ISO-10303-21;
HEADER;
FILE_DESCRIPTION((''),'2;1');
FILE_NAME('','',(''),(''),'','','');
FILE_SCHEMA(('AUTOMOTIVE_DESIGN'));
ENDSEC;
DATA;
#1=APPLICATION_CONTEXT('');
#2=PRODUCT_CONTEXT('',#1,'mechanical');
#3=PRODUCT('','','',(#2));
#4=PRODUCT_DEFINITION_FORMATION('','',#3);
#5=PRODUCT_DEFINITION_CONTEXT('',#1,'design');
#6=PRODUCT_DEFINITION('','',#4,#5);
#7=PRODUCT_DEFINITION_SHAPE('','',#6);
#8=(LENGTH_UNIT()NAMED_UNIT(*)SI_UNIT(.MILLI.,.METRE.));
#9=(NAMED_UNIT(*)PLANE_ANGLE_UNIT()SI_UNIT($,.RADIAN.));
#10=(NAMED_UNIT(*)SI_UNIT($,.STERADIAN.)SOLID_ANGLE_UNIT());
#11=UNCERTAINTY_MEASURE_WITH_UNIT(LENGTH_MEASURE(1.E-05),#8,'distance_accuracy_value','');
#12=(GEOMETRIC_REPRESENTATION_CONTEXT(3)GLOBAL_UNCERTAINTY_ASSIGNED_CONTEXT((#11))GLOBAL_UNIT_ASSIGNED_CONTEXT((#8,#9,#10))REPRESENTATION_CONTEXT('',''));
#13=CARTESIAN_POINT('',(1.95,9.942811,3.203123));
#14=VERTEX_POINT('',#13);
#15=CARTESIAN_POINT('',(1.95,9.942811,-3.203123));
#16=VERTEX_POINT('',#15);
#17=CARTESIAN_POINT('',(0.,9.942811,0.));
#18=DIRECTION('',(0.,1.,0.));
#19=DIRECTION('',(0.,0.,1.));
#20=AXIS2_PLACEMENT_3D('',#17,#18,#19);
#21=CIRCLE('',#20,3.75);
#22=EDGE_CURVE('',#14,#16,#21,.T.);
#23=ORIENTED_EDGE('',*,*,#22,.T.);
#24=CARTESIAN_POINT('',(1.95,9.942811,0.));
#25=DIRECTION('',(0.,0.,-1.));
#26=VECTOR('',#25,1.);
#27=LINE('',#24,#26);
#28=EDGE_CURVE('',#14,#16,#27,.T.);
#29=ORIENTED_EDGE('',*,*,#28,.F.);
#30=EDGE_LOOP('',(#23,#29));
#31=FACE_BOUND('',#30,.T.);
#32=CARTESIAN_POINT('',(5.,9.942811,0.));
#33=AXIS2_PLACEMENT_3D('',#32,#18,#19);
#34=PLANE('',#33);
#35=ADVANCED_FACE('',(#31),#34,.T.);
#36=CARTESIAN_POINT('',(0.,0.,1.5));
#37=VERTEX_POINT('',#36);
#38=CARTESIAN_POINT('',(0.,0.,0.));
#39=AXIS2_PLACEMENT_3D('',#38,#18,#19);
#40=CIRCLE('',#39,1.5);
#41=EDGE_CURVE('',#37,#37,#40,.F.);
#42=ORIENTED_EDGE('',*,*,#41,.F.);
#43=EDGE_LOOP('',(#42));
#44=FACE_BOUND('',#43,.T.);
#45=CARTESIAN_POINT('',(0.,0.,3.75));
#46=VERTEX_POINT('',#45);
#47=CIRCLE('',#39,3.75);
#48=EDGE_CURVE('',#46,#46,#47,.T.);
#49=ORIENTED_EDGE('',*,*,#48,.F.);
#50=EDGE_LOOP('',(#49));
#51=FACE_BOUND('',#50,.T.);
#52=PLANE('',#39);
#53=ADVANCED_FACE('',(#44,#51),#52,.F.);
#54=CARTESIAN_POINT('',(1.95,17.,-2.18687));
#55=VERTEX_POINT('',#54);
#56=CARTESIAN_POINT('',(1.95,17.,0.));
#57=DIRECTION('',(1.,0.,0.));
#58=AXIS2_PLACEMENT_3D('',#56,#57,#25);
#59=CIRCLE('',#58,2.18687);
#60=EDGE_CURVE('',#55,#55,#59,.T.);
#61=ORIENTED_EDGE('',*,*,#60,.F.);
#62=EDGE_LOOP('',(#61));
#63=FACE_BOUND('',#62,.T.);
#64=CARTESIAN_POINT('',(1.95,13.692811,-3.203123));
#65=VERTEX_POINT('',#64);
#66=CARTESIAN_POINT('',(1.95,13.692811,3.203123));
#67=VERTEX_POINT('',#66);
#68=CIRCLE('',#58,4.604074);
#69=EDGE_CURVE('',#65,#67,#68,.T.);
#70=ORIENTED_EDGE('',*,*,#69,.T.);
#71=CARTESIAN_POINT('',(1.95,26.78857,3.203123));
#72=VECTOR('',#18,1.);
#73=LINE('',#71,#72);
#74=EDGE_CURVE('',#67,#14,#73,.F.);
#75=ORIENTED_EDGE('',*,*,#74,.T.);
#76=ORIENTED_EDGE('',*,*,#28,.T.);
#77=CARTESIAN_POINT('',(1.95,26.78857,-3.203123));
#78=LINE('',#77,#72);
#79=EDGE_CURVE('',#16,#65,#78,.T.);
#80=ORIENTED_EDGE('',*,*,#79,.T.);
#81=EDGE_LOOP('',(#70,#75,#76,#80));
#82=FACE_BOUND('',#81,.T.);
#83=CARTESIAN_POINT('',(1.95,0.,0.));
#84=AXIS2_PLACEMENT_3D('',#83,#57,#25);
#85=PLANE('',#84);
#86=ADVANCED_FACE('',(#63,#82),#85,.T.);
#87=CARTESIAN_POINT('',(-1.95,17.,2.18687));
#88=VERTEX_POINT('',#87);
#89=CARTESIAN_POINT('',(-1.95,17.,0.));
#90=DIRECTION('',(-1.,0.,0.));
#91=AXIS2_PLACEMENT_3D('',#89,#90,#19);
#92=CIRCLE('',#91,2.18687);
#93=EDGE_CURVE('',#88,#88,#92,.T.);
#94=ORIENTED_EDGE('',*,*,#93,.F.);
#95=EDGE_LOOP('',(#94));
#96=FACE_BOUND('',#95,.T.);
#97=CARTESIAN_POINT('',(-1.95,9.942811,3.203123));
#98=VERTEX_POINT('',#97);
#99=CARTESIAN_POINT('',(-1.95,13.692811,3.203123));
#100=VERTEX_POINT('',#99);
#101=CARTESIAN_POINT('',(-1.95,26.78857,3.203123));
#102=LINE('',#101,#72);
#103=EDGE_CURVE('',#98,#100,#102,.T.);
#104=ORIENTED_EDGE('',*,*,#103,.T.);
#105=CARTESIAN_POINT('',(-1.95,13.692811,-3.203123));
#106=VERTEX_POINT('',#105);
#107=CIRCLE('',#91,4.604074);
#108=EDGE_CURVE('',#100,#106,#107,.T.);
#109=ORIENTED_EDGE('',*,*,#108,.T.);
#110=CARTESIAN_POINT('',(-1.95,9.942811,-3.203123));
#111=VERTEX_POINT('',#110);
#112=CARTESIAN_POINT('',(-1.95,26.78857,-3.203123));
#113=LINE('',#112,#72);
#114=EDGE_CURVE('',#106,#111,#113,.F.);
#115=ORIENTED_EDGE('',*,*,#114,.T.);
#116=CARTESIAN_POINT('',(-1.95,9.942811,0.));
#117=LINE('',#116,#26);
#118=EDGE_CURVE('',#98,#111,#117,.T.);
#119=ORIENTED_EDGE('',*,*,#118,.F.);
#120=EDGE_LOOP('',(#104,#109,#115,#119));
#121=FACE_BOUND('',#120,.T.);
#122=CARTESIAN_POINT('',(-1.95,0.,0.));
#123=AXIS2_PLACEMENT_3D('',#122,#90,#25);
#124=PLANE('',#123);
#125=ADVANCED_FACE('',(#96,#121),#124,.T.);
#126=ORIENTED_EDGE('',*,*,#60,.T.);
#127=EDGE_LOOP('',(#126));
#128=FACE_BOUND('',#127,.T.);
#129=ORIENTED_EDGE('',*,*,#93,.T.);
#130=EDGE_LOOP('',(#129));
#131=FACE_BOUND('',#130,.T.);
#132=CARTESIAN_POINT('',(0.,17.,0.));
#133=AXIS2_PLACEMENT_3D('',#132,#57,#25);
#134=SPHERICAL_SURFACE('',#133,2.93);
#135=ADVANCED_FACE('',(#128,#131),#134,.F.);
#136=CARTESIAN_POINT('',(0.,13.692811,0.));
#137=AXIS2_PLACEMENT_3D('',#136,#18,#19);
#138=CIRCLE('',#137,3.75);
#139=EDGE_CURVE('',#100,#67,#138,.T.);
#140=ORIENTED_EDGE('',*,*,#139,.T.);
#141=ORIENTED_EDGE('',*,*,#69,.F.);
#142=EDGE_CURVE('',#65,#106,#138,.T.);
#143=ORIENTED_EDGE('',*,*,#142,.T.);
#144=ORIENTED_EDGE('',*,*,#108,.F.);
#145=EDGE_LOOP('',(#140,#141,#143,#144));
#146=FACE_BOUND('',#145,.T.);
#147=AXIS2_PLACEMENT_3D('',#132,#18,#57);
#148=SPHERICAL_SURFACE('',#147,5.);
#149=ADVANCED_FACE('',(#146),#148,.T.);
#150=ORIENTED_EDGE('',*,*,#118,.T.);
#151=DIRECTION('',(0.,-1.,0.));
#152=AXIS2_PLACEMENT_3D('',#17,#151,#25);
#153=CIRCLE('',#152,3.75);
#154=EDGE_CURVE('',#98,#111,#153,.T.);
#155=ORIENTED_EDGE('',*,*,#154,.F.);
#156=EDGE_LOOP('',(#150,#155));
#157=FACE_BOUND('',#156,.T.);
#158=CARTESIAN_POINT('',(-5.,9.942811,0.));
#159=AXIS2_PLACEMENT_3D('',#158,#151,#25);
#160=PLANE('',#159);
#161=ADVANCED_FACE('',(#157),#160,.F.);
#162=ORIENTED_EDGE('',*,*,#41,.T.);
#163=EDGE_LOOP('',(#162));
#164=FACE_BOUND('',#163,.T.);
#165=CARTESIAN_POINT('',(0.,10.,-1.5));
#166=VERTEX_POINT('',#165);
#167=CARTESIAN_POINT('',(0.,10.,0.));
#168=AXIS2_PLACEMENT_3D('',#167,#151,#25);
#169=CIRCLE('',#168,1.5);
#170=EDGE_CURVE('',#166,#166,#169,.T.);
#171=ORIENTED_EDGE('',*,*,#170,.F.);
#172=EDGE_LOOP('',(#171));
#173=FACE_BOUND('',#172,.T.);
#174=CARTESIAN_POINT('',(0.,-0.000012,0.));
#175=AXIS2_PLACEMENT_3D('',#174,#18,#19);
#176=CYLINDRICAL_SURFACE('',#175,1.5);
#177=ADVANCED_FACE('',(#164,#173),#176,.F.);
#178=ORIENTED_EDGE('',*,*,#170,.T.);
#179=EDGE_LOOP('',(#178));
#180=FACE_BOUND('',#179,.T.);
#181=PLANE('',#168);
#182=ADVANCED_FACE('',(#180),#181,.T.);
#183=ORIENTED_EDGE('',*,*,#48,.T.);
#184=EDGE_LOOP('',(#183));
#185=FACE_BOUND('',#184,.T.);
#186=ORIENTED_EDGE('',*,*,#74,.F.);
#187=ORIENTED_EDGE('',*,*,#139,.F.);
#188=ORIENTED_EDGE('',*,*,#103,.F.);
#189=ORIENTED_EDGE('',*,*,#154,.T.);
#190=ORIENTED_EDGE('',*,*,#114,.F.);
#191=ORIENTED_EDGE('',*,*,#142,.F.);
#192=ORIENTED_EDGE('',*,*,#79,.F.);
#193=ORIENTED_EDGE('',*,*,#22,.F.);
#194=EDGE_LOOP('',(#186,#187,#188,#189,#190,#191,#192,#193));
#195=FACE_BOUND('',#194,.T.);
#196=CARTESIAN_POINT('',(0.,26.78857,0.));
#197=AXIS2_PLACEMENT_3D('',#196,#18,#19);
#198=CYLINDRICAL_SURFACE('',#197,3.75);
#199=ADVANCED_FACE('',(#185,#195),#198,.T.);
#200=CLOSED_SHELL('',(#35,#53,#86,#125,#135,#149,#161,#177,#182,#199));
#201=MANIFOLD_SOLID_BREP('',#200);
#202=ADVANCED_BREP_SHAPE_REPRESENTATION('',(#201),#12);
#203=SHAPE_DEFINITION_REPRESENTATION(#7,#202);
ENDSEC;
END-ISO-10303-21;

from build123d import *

# Parameters (mm, degrees)
CUT_EXTRUDE1_START      = -1.8
CUT_EXTRUDE1_DEPTH      = 4.05
SKETCH6_R               = 1.5
CUT_EXTRUDE2_DEPTH      = 1
CUT_EXTRUDE2_DEPTH_BACK = 10


with BuildPart() as part:
    # Sketch4 → Revolve2 (revolve)
    with BuildSketch(Plane.XY):
        with BuildLine():
            Line((0, 13.692810861), (0, 0))
            Line((0, 0), (3.75, 0))
            Line((3.75, 0), (3.75, 13.692810861))
            ThreePointArc((3.75, 13.692810861), (4.557189139, 19.057189139), (0, 22))
            Line((0, 22), (0, 19.93))
            ThreePointArc((0, 19.93), (2.93, 17), (0, 14.07))
            Line((0, 14.07), (0, 13.692810861))
        make_face()
    revolve(axis=Axis((0, 26.788570074, 0), (0, -1, 0)))

    # Sketch5 → Cut-Extrude1 (cut)
    with BuildSketch(Plane(origin=(3.75, 0, 0), x_dir=(0, 0, -1), z_dir=(1, 0, 0)).offset(CUT_EXTRUDE1_START)):
        with BuildLine():
            Line((-3.75, 9.942810861), (3.75, 9.942810861))
            Line((3.75, 9.942810861), (3.75, 13.692810861))
            ThreePointArc((3.75, 13.692810861), (0, 22), (-3.75, 13.692810861))
            Line((-3.75, 13.692810861), (-3.75, 9.942810861))
        make_face()
    cut_extrude1 = extrude(amount=CUT_EXTRUDE1_DEPTH, mode=Mode.SUBTRACT)

    # Mirror2: Cut-Extrude1 across plane
    add(cut_extrude1.mirror(Plane(origin=(0, 0, 0), x_dir=(0, 0, 1), z_dir=(1, 0, 0))), mode=Mode.SUBTRACT)

    # Sketch6 → Cut-Extrude2 (cut, two sides)
    with BuildSketch(Plane.XZ) as cut_extrude2_sk:
        Circle(SKETCH6_R)
    extrude(amount=CUT_EXTRUDE2_DEPTH, mode=Mode.SUBTRACT)
    extrude(cut_extrude2_sk.sketch, amount=-CUT_EXTRUDE2_DEPTH_BACK, mode=Mode.SUBTRACT)


solid = part.part
